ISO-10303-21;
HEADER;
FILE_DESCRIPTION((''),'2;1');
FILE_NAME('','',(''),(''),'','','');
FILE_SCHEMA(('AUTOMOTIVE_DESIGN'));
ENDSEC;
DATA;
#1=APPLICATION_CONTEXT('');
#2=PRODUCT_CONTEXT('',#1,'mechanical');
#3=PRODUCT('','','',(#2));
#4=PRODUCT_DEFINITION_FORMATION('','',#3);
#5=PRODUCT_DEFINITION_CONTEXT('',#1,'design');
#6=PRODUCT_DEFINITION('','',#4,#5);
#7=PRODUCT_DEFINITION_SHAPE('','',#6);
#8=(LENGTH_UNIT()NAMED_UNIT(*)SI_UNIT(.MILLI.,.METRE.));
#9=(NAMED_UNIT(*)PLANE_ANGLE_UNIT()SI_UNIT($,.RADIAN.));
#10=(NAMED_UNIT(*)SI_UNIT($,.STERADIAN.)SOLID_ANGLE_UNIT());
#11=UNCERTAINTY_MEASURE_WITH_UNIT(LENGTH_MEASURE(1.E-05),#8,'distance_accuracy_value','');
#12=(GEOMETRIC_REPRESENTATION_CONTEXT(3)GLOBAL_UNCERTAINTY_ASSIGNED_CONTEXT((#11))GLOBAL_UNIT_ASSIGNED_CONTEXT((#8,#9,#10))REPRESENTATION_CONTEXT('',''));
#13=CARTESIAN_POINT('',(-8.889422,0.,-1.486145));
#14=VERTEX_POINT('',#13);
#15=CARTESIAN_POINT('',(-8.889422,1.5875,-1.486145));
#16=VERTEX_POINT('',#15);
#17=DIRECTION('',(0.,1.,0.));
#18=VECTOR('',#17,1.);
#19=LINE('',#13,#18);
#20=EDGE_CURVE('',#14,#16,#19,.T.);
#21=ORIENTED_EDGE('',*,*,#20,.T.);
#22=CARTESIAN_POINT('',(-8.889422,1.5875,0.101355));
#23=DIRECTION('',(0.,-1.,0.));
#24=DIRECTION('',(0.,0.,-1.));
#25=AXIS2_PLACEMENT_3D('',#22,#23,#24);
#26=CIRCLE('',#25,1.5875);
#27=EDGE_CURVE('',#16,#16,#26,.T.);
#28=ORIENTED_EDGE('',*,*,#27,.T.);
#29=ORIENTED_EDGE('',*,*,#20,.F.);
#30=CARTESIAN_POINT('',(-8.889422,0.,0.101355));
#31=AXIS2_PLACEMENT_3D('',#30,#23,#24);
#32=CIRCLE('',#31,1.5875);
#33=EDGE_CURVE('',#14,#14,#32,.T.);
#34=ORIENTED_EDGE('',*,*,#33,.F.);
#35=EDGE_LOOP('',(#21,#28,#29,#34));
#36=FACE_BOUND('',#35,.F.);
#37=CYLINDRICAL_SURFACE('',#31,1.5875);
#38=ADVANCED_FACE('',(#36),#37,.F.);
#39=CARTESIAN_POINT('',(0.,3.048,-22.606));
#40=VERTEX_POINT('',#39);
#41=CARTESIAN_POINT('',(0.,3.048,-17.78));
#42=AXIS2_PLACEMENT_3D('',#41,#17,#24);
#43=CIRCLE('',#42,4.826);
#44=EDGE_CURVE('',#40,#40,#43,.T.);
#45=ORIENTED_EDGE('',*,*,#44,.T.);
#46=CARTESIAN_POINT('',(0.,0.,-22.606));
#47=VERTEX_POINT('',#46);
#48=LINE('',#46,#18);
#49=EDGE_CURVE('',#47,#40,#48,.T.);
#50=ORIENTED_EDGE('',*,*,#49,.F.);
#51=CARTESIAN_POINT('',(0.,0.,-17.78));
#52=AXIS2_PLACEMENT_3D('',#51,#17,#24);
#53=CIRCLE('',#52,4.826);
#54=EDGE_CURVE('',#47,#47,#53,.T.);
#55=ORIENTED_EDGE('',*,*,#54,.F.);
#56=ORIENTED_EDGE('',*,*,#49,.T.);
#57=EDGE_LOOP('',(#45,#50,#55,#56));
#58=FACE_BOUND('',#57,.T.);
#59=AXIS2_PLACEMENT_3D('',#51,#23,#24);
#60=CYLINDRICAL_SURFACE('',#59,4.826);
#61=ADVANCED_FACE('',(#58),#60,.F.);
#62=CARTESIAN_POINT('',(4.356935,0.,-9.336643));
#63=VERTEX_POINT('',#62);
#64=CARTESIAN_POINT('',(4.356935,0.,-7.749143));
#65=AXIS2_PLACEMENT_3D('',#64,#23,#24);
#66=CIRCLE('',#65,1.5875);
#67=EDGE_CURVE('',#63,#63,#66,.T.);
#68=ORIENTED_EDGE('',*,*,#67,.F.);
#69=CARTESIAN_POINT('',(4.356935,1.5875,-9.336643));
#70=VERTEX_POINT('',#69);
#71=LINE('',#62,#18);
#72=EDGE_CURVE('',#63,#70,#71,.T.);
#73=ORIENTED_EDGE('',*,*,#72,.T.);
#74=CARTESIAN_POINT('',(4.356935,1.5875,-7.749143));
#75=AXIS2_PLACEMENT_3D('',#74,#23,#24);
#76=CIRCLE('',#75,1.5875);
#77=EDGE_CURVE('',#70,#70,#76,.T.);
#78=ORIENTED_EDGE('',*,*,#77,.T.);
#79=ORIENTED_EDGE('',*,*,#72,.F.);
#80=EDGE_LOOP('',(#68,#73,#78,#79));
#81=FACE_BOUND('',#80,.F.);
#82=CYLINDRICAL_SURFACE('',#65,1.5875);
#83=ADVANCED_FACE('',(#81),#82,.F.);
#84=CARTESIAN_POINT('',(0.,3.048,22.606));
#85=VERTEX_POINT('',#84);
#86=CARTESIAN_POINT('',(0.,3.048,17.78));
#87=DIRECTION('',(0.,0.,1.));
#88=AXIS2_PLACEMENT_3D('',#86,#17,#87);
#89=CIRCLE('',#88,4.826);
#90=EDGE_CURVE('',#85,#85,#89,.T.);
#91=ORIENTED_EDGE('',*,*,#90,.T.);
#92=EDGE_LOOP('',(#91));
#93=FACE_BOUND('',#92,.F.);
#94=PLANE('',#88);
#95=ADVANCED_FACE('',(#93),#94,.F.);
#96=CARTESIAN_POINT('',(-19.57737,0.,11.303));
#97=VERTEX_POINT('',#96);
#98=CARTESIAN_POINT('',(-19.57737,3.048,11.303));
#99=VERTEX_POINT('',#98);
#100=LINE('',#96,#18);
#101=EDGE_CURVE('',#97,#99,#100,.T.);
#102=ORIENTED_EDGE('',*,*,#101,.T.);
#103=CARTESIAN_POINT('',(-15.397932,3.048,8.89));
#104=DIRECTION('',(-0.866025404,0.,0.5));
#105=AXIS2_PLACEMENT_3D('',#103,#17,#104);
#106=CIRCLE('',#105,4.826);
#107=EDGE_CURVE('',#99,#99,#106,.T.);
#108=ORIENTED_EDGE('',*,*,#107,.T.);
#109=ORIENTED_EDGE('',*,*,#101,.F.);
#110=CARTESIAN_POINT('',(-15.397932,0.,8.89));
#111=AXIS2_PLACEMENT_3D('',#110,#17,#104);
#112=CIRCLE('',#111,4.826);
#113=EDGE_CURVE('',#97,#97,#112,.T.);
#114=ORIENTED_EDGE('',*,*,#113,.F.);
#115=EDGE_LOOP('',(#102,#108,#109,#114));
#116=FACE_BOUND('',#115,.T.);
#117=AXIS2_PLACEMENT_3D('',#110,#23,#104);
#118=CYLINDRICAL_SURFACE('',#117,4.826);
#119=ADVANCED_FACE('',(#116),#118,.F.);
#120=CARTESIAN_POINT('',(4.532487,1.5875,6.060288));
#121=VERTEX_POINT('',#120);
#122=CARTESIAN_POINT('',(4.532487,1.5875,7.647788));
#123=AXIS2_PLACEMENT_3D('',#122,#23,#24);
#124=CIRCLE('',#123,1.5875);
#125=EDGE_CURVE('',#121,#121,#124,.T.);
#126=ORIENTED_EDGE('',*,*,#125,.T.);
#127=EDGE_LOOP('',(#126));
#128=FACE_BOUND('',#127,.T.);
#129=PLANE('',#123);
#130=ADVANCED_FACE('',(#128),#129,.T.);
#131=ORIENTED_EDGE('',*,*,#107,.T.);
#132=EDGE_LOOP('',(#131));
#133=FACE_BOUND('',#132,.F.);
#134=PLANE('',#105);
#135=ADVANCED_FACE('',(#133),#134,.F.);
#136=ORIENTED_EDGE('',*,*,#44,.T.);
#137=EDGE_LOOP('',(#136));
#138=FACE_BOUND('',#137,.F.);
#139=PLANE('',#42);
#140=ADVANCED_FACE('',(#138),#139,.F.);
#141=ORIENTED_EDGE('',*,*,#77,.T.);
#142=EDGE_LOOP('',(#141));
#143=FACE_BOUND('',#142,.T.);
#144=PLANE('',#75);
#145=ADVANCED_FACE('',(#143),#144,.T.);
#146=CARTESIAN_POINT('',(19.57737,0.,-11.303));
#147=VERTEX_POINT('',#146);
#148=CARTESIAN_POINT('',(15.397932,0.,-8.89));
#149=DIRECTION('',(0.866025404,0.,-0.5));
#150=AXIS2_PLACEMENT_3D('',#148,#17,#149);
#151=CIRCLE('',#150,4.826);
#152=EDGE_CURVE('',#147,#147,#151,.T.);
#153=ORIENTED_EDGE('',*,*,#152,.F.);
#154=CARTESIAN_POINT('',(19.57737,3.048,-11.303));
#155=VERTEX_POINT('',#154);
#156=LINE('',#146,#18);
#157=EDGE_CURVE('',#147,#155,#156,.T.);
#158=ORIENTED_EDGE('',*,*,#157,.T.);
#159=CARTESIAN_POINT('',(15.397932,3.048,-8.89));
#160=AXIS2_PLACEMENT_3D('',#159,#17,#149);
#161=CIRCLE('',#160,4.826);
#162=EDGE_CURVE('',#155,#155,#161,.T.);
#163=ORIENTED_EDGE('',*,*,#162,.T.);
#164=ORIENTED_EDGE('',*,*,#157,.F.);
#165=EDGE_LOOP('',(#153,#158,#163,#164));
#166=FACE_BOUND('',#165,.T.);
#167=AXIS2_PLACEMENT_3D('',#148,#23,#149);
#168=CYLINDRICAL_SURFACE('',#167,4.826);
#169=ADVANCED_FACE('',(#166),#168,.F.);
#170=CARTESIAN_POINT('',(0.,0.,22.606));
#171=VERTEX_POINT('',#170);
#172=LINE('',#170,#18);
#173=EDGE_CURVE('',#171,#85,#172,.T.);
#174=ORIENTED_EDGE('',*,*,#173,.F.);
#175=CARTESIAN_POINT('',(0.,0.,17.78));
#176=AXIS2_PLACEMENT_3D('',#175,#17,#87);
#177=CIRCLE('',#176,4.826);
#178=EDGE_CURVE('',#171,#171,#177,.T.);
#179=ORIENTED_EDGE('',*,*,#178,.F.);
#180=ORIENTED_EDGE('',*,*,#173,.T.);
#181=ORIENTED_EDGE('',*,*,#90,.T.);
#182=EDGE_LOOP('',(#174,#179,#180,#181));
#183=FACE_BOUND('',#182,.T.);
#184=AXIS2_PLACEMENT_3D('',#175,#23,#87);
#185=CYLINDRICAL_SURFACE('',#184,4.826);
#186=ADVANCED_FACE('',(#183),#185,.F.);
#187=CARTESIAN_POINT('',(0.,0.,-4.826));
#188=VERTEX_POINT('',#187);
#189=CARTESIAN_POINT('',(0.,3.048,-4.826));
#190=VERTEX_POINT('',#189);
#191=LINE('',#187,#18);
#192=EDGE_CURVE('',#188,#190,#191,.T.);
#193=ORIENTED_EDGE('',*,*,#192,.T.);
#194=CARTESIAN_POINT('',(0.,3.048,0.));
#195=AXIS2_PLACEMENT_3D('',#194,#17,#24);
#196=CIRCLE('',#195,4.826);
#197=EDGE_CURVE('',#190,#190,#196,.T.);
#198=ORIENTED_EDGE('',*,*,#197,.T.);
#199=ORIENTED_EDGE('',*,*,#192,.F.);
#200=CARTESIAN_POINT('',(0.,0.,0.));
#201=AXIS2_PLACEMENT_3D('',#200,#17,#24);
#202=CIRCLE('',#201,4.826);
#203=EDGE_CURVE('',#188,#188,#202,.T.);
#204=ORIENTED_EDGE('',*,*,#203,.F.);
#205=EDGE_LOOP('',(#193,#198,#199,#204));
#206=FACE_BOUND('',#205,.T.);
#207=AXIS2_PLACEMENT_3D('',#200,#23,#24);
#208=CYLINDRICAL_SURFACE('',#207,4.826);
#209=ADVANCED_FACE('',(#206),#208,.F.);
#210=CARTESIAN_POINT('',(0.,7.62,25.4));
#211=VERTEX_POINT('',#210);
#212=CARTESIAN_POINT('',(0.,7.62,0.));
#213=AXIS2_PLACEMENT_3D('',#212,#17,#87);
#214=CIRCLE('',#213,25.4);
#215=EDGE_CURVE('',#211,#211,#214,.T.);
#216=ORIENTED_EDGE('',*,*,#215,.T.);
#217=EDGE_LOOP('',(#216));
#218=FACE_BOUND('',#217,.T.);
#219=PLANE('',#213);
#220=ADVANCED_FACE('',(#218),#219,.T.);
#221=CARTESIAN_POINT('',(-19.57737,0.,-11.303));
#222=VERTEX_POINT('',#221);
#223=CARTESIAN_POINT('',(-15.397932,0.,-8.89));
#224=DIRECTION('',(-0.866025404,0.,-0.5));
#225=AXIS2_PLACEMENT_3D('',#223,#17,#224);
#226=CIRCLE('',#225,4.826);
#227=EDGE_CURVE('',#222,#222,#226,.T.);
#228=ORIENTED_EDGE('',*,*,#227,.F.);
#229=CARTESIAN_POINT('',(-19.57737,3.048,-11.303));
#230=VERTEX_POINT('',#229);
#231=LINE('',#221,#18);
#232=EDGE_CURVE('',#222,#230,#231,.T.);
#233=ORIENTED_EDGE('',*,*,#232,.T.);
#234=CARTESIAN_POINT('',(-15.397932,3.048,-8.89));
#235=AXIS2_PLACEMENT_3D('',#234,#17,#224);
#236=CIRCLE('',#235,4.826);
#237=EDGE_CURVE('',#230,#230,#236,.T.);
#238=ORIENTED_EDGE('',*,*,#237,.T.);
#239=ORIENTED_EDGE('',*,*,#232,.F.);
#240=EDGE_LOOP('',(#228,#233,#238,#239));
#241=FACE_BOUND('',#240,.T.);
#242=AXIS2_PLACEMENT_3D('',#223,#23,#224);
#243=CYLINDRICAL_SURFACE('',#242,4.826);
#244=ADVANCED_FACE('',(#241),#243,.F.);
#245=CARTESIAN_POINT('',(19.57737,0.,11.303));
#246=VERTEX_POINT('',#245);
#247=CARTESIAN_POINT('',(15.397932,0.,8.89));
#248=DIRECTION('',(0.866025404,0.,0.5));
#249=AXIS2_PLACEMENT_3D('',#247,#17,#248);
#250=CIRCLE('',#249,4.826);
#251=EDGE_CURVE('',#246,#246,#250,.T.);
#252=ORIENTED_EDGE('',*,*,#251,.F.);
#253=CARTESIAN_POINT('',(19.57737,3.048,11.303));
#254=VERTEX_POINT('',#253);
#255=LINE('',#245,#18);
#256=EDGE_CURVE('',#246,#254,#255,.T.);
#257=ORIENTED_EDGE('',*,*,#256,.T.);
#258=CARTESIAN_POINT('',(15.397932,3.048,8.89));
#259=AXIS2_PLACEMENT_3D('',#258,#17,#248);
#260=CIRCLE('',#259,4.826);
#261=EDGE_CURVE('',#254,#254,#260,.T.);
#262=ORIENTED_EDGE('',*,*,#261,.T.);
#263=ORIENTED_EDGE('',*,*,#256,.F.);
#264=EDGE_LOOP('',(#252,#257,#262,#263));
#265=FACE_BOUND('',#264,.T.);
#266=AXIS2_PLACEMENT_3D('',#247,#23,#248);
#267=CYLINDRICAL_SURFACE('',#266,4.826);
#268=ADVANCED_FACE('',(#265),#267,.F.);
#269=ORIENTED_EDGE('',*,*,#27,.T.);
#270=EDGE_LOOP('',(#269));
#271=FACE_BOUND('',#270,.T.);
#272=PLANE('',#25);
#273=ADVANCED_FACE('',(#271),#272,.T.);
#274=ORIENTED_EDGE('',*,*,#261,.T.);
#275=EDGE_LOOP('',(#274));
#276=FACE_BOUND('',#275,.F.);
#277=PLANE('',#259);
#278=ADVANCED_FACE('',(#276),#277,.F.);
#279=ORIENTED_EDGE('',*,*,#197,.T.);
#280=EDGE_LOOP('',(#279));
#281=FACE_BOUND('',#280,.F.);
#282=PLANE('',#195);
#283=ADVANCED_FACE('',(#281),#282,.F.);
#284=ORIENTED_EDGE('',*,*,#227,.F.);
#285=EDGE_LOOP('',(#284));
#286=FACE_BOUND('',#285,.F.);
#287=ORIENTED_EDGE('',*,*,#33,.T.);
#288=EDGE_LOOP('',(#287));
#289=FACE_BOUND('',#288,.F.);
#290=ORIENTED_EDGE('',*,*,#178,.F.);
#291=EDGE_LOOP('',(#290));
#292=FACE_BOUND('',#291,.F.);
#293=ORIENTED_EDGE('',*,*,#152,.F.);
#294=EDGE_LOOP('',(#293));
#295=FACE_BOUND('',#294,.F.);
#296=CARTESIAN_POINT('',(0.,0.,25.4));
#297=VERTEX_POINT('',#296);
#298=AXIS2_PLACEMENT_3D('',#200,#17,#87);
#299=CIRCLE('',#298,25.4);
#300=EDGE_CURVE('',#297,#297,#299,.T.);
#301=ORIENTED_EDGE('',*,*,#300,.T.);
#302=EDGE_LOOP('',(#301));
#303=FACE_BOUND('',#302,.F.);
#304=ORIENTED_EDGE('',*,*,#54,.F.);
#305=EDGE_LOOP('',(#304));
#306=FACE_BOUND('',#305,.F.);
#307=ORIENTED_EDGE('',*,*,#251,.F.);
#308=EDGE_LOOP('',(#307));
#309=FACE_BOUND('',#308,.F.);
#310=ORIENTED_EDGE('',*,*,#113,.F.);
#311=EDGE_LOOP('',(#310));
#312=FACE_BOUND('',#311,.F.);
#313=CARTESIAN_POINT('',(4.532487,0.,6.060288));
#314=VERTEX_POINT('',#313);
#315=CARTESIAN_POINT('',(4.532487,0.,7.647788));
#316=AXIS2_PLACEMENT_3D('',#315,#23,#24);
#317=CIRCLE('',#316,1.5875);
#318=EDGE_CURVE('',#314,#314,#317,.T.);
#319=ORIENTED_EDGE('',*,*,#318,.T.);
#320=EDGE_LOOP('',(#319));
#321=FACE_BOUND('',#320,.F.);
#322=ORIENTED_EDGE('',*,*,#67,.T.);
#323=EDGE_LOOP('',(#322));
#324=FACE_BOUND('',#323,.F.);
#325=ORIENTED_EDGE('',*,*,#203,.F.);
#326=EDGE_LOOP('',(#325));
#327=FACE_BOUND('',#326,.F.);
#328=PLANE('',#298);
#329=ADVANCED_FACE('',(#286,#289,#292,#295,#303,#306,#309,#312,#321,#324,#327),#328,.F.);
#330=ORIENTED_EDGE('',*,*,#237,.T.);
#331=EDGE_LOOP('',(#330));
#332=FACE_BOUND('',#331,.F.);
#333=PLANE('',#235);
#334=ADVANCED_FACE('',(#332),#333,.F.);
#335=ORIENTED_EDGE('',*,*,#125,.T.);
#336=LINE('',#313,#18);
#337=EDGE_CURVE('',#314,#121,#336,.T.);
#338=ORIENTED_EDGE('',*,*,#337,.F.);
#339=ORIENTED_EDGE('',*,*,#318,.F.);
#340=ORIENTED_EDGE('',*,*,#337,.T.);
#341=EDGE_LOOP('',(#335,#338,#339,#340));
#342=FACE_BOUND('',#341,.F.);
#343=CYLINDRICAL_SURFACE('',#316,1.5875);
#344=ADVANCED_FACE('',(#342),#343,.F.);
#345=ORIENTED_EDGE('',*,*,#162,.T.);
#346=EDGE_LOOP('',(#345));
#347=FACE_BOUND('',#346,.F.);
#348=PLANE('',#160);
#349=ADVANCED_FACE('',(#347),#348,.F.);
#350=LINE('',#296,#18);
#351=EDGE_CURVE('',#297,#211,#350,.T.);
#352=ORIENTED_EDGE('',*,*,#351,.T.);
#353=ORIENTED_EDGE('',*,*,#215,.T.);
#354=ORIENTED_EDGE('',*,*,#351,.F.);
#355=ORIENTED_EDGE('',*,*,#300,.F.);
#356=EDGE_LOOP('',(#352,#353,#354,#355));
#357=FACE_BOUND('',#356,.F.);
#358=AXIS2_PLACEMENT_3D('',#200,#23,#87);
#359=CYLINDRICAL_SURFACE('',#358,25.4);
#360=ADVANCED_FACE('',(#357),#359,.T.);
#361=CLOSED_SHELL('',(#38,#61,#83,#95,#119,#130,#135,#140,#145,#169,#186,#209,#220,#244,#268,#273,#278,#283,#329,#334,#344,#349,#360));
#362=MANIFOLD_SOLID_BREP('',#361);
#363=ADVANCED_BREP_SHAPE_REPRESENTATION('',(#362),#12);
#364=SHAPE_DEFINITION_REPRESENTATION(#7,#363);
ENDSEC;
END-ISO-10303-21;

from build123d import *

# Parameters (mm, degrees)
SKETCH1_R           = 25.4
BOSS_EXTRUDE2_DEPTH = 7.62
SKETCH4_R           = 4.826
CUT_EXTRUDE2_DEPTH  = 3.048
CIRPATTERN1_COUNT   = 6
SKETCH5_R           = 4.826
CUT_EXTRUDE6_DEPTH  = 3.048
SKETCH7_R           = 1.5875
CUT_EXTRUDE7_DEPTH  = 1.5875


with BuildPart() as part:
    # Sketch1 → Boss-Extrude2 (new body)
    with BuildSketch(Plane(origin=(0, 0, 0), x_dir=(1, 0, 0), z_dir=(0, 1, 0))):
        with Locations(Location((0, 0, 0), (0, 0, 270))):
            Circle(SKETCH1_R)
    extrude(amount=BOSS_EXTRUDE2_DEPTH)

    # Sketch4 → Cut-Extrude2 (cut)
    with BuildSketch(Plane(origin=(0, 0, 0), x_dir=(1, 0, 0), z_dir=(0, 1, 0))):
        with Locations(Location((0, 17.78, 0), (0, 0, 90))):
            Circle(SKETCH4_R)
    cut_extrude2 = extrude(amount=CUT_EXTRUDE2_DEPTH, mode=Mode.SUBTRACT)

    # CirPattern1: Cut-Extrude2 ×6 about axis
    cirpattern1_axis = Axis((0, 0, 0), (0, 1, 0))
    for i in range(1, CIRPATTERN1_COUNT):
        add(cut_extrude2.rotate(cirpattern1_axis, i * 360 / CIRPATTERN1_COUNT), mode=Mode.SUBTRACT)

    # Sketch5 → Cut-Extrude6 (cut)
    with BuildSketch(Plane(origin=(0, 0, 0), x_dir=(1, 0, 0), z_dir=(0, 1, 0))):
        with Locations(Location((0, 0, 0), (0, 0, 90))):
            Circle(SKETCH5_R)
    extrude(amount=CUT_EXTRUDE6_DEPTH, mode=Mode.SUBTRACT)

    # Sketch7 → Cut-Extrude7 (cut)
    with BuildSketch(Plane.XZ):
        with Locations(Location((4.532486744, 7.647788172, 0), (0, 0, 270))):
            Circle(SKETCH7_R)
        with Locations(Location((4.356935467, -7.749142748, 0), (0, 0, 270))):
            Circle(SKETCH7_R)
        with Locations(Location((-8.889422211, 0.101354577, 0), (0, 0, 270))):
            Circle(SKETCH7_R)
    extrude(amount=-CUT_EXTRUDE7_DEPTH, mode=Mode.SUBTRACT)


solid = part.part
